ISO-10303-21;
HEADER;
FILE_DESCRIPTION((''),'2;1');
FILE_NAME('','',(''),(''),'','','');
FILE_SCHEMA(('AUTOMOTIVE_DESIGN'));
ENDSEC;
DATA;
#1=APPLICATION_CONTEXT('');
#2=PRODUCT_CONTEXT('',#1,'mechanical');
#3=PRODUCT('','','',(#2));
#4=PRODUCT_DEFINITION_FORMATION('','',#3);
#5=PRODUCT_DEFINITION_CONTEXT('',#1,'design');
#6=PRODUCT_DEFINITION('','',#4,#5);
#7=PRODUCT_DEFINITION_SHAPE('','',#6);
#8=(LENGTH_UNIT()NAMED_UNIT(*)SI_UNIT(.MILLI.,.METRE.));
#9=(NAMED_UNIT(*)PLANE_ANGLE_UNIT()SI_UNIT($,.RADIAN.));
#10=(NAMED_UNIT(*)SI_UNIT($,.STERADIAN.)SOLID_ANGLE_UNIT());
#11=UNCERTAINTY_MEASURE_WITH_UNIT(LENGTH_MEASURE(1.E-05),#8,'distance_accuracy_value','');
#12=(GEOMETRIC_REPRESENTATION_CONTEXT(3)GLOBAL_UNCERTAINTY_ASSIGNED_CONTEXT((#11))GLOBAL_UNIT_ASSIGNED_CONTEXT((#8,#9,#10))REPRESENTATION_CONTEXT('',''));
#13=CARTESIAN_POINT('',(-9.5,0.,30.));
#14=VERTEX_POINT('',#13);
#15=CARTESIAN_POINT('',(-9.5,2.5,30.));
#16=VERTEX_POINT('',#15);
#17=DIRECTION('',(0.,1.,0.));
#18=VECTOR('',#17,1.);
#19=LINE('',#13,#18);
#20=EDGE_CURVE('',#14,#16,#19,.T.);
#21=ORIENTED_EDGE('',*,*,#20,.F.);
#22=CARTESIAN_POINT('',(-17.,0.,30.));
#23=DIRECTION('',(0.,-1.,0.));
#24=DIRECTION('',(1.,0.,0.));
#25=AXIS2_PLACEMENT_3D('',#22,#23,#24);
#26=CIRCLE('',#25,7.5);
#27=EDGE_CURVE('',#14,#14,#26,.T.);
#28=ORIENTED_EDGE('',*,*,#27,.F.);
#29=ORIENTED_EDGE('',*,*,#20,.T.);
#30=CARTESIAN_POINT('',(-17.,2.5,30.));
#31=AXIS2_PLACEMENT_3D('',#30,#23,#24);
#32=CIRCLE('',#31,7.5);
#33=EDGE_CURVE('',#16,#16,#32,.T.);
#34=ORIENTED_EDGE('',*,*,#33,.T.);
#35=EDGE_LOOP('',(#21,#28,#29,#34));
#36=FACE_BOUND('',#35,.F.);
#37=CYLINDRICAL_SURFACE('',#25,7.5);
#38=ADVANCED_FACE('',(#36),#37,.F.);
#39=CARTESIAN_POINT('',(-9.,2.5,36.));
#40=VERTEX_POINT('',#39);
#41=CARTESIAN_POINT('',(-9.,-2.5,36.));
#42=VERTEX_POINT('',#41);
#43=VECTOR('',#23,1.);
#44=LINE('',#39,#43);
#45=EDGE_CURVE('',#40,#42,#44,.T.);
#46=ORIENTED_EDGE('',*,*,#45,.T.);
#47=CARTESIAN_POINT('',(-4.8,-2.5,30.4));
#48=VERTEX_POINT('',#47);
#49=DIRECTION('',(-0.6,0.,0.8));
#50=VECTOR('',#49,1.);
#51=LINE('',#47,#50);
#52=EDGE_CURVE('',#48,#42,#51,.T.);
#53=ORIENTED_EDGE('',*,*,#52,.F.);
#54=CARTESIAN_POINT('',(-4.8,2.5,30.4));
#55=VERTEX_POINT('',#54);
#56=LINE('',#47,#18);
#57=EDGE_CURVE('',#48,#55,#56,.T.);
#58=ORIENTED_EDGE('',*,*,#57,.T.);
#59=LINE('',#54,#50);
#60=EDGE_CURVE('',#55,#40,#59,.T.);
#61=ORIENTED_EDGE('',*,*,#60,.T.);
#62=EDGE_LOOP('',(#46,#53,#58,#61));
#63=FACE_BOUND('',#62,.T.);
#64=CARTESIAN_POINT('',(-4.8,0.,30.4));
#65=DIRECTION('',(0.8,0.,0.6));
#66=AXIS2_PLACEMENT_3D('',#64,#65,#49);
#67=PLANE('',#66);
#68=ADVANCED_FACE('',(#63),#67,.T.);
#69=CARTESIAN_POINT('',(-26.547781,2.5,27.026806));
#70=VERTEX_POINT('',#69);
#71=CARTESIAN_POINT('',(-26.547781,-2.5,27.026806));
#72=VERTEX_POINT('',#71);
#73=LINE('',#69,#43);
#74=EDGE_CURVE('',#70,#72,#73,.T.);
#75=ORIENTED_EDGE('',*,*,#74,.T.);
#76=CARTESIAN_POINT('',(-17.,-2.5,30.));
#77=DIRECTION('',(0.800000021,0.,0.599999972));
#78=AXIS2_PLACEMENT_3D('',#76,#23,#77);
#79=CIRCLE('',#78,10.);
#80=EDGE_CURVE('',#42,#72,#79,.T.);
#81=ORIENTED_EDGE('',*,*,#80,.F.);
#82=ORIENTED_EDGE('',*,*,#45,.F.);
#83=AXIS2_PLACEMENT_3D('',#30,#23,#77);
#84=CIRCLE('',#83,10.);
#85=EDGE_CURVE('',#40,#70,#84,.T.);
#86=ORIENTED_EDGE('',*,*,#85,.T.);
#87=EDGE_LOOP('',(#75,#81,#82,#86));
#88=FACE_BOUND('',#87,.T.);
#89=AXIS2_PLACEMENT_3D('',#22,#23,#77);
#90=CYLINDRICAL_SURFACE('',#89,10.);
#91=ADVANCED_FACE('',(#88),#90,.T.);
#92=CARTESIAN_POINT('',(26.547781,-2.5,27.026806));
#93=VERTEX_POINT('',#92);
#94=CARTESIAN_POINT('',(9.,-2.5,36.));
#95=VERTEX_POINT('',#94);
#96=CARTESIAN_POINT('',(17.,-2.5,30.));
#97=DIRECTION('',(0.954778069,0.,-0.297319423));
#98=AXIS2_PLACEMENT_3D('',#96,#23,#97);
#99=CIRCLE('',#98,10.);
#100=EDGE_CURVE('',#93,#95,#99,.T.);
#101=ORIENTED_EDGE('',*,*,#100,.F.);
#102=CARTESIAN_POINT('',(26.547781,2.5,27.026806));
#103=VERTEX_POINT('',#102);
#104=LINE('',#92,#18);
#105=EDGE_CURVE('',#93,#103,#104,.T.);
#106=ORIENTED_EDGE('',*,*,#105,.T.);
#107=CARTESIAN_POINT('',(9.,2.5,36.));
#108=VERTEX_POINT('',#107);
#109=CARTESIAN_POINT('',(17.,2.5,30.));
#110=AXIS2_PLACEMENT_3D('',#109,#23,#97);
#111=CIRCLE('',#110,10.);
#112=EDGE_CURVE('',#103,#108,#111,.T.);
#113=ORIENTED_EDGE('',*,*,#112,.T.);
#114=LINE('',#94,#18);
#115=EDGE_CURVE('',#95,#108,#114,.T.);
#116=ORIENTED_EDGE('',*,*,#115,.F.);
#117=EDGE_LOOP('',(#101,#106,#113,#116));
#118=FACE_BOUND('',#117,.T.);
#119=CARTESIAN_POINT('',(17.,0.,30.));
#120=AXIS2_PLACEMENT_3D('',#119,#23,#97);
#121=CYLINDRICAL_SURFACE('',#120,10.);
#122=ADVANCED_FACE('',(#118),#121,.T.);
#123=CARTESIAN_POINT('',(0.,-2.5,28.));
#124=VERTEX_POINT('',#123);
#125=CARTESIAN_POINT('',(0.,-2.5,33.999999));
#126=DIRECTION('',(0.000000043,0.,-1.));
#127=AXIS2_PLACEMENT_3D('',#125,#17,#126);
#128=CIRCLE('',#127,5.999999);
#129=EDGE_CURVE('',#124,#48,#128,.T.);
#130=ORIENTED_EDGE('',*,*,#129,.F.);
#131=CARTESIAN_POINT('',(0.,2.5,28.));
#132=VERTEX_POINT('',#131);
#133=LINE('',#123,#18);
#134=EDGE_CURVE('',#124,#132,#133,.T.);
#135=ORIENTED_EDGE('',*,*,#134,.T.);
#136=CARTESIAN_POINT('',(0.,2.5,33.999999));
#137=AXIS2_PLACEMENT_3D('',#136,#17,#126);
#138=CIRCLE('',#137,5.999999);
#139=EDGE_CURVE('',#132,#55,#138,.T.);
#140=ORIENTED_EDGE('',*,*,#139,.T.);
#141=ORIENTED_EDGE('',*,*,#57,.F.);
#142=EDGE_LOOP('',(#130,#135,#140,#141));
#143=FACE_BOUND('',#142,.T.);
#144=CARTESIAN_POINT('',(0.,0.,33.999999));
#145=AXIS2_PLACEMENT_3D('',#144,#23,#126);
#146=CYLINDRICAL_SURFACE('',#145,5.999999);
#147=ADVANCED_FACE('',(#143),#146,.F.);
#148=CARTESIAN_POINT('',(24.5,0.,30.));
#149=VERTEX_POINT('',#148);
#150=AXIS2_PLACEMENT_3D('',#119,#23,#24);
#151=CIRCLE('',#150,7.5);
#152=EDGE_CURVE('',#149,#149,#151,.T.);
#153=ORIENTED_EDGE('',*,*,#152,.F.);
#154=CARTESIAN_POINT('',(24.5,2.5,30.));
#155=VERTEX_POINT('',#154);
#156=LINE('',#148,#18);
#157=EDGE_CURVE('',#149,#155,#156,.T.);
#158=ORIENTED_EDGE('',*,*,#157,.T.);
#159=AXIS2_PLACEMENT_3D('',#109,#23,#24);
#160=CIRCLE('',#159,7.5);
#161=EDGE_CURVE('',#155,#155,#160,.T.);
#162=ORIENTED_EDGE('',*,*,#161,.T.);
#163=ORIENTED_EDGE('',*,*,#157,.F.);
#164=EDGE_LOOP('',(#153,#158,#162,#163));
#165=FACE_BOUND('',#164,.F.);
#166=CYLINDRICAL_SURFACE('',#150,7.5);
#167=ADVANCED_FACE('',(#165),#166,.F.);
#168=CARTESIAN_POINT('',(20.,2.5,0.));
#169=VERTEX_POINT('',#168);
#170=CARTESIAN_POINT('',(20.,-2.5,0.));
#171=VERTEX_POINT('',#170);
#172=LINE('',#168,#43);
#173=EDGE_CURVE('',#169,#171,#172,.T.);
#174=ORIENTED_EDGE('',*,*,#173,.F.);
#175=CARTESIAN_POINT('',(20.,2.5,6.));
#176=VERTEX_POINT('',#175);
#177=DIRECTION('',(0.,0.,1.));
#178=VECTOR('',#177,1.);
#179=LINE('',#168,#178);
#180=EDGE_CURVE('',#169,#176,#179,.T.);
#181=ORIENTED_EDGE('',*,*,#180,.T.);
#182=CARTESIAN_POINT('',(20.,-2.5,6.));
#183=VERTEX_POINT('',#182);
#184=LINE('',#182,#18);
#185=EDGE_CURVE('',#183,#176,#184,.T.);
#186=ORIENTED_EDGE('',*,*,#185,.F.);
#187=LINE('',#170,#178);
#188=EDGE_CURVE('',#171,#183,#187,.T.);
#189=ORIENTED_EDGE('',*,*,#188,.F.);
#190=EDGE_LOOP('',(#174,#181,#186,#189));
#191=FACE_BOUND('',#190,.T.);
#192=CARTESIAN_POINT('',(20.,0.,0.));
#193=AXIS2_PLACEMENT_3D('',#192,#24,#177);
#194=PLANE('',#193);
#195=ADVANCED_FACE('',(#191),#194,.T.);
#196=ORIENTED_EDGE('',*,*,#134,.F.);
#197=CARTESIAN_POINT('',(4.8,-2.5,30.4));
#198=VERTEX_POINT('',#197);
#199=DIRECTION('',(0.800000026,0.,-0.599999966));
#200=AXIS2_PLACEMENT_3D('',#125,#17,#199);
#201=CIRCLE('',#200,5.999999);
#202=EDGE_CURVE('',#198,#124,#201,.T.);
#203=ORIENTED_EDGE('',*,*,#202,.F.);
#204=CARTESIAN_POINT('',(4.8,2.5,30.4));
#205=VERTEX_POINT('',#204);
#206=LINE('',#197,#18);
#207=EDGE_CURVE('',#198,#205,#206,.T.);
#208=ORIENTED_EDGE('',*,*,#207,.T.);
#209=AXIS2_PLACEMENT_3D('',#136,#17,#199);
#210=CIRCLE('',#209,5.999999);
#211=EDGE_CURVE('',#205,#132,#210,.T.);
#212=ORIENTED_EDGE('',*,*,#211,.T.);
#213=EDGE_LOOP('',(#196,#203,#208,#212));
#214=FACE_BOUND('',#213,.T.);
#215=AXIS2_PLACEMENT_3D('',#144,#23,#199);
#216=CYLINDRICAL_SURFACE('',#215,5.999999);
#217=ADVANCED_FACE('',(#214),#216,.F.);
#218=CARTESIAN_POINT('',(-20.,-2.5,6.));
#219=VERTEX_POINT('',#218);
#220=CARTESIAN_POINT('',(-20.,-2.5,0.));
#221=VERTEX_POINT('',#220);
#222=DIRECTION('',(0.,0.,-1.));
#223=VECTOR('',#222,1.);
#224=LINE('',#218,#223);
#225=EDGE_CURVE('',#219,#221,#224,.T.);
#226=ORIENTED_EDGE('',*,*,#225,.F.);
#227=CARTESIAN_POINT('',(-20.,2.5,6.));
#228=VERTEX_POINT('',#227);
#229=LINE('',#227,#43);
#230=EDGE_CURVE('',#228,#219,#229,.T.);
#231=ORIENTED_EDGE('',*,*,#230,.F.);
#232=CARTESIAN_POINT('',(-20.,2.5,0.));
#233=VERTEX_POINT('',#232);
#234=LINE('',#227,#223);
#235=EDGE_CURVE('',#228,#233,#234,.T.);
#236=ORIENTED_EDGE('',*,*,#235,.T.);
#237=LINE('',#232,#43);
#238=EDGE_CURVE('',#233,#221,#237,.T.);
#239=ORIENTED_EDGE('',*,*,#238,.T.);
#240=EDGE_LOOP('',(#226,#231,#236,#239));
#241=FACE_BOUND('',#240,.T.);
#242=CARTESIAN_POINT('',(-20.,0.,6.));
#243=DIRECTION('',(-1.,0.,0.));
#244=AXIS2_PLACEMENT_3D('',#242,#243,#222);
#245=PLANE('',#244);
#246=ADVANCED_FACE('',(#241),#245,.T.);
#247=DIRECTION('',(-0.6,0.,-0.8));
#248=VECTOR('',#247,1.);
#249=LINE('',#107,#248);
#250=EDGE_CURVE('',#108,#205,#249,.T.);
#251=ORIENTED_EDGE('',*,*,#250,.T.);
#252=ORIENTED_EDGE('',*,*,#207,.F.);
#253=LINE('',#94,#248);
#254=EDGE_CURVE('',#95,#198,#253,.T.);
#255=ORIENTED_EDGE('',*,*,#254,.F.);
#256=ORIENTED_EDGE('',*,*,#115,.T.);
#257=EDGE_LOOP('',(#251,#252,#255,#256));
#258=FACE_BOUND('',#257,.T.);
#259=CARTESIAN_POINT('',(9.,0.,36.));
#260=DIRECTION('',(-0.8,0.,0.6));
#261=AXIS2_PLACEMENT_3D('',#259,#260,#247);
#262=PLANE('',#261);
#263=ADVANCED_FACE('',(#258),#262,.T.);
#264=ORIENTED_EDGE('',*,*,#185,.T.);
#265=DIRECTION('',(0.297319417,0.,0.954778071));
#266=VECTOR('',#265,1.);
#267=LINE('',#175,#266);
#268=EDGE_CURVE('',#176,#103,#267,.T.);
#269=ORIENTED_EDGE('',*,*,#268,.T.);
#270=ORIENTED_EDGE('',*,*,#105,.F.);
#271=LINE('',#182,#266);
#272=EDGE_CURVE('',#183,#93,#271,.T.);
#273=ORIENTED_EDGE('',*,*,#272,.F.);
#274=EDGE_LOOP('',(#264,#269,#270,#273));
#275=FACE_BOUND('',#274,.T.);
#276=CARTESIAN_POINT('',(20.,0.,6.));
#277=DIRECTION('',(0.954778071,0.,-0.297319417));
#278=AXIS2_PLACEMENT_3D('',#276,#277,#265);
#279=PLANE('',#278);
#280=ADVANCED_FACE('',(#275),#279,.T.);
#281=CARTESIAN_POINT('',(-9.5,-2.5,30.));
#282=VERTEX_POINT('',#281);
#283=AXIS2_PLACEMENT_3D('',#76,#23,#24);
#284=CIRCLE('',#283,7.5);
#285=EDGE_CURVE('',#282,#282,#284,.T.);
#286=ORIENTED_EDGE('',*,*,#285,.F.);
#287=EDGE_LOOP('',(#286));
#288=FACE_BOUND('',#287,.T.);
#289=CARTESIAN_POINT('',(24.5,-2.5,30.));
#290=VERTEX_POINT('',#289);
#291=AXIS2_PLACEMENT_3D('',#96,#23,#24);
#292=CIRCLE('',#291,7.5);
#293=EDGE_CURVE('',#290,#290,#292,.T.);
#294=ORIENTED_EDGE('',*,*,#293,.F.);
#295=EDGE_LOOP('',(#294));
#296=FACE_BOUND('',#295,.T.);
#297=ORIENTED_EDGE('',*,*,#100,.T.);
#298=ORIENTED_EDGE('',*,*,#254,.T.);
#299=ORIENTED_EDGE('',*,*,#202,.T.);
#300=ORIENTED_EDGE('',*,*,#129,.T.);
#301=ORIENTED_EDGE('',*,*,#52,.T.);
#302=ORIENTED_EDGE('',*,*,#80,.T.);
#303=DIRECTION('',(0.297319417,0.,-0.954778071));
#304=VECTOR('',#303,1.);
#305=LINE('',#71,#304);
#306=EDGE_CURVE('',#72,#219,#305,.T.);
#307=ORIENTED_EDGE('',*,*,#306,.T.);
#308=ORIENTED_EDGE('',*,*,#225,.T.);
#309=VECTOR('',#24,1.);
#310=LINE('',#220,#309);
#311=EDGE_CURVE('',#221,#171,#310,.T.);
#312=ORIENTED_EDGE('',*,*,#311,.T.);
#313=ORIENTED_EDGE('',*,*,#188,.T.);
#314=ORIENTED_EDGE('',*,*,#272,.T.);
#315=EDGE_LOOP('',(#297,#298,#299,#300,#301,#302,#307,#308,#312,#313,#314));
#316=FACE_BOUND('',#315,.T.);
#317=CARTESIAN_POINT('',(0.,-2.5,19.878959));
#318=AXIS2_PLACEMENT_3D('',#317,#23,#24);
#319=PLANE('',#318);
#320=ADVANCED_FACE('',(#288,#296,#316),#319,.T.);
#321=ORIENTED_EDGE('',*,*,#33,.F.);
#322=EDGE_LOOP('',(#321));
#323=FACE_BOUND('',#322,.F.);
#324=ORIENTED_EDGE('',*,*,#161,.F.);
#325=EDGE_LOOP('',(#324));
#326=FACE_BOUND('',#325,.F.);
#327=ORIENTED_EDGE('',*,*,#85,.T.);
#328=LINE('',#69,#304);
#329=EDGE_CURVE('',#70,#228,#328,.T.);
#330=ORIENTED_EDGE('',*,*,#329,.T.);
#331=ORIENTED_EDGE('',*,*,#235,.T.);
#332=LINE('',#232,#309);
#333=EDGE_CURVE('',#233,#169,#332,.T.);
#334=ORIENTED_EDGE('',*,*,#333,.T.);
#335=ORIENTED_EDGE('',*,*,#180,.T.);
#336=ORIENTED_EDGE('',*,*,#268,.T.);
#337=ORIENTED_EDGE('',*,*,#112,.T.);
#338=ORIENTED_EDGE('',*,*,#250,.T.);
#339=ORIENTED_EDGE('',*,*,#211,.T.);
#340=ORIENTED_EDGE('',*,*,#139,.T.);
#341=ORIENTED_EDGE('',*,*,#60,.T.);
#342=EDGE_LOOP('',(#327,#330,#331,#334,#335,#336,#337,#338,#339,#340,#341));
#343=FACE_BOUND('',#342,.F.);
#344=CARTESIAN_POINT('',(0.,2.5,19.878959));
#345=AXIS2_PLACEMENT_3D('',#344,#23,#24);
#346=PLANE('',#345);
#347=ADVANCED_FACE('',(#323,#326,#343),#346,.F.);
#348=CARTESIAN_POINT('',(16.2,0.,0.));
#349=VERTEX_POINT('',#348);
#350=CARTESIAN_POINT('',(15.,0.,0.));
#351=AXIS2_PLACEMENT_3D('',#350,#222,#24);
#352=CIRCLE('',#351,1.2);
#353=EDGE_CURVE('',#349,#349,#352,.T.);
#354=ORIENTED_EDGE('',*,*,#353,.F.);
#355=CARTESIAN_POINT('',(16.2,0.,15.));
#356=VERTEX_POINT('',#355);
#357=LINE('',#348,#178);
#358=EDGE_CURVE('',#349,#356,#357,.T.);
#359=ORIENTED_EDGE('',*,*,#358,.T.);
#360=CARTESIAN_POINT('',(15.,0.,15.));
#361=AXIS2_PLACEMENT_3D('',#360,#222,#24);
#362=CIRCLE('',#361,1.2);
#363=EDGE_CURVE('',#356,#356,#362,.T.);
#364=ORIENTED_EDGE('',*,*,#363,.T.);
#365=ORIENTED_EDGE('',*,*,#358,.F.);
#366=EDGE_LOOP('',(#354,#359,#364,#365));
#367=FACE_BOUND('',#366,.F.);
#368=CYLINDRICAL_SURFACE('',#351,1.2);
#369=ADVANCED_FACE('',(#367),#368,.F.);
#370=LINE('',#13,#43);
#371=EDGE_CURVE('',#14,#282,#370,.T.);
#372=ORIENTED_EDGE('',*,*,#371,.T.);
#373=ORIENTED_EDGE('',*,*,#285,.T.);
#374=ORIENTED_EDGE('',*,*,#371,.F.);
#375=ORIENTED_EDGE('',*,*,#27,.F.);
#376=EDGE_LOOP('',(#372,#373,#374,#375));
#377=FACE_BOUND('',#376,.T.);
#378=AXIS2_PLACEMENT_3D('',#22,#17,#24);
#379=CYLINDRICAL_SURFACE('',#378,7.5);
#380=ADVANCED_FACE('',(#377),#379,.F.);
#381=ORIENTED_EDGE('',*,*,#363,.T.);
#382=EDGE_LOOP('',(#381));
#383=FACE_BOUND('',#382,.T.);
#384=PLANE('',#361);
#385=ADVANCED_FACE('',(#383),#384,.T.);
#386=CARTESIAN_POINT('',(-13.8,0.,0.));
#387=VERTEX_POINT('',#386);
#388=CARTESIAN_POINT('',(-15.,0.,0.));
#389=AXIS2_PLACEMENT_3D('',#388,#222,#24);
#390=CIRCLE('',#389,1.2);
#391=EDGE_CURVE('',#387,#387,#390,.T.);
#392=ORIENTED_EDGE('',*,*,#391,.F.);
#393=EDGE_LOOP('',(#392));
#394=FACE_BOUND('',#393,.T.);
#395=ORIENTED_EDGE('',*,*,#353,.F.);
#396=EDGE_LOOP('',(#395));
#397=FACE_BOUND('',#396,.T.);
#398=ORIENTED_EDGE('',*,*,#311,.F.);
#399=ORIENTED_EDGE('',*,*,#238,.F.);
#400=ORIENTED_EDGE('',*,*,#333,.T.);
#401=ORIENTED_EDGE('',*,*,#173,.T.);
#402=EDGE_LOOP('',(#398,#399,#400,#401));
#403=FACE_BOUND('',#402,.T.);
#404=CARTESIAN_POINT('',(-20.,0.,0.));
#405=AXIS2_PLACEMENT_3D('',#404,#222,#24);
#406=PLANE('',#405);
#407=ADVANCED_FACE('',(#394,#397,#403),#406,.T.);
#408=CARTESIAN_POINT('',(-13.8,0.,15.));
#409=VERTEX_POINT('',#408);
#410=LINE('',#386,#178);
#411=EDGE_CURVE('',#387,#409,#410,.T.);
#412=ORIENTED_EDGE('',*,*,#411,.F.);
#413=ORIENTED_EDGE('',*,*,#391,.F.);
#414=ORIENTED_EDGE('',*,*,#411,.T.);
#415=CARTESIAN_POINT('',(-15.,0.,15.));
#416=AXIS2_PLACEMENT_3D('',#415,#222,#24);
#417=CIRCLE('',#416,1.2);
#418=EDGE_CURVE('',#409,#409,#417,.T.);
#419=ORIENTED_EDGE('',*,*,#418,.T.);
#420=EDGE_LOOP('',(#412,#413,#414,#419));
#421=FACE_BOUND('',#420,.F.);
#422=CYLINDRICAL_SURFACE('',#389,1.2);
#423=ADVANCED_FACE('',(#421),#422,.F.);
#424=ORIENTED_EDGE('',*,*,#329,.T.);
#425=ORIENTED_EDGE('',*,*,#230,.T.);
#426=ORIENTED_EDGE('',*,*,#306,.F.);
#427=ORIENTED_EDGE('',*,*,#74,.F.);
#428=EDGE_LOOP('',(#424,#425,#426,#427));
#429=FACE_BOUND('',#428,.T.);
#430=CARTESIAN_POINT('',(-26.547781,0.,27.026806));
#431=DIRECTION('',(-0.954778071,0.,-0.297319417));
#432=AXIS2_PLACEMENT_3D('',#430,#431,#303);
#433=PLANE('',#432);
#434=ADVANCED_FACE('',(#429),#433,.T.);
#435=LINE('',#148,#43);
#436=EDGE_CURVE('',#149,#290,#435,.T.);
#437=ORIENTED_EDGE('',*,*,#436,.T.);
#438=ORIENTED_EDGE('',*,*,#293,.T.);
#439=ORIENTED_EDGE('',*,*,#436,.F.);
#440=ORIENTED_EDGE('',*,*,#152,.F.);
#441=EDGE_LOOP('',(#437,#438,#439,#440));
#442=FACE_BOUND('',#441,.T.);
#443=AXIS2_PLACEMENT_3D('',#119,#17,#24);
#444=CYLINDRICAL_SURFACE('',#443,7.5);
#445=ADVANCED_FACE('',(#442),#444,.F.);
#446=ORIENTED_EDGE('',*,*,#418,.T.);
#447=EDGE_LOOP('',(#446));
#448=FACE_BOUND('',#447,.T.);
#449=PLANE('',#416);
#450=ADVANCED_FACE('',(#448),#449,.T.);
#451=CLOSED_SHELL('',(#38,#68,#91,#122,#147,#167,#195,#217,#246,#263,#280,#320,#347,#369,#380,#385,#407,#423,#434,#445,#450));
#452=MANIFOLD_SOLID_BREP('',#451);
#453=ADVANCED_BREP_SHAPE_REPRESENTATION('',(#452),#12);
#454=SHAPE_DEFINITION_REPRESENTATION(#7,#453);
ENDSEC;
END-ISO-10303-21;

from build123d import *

# Parameters (mm, degrees)
F0_R          = 7.5
F1_DEPTH      = 2.5
F1_DEPTH_BACK = 2.5
F2_R          = 1.2
F3_DEPTH      = 15


with BuildPart() as f1:
    # F0 (on Front) → F1 (new body, two sides)
    with BuildSketch(Plane.XZ) as f1_sk:
        with BuildLine():
            Line((-4.8, 30.4), (-9, 36))
            ThreePointArc((-9, 36), (-21.552852, 38.903457), (-26.547781, 27.026806))
            Line((-26.547781, 27.026806), (-20, 6))
            Line((-20, 6), (-20, 0))
            Line((-20, 0), (0, 0))
            Line((0, 0), (20, 0))
            Line((20, 0), (20, 6))
            Line((20, 6), (26.547781, 27.026806))
            ThreePointArc((26.547781, 27.026806), (21.552852, 38.903457), (9, 36))
            Line((9, 36), (4.8, 30.4))
            ThreePointArc((4.8, 30.4), (2.683282, 28.633437), (0, 28))
            ThreePointArc((0, 28), (-2.683282, 28.633437), (-4.8, 30.4))
        make_face()
        with Locations((-17, 30)):
            Circle(F0_R, mode=Mode.SUBTRACT)
        with Locations((17, 30)):
            Circle(F0_R, mode=Mode.SUBTRACT)
    extrude(amount=F1_DEPTH)
    extrude(f1_sk.sketch, amount=-F1_DEPTH_BACK)

    # F2 (on face) → F3 (cut)
    with BuildSketch(Plane(origin=(0, 0, 0), x_dir=(1, 0, 0), z_dir=(0, 0, -1))):
        with Locations((-15, 0)):
            Circle(F2_R)
        with Locations((15, 0)):
            Circle(F2_R)
    extrude(amount=-F3_DEPTH, mode=Mode.SUBTRACT)


solid = f1.part
